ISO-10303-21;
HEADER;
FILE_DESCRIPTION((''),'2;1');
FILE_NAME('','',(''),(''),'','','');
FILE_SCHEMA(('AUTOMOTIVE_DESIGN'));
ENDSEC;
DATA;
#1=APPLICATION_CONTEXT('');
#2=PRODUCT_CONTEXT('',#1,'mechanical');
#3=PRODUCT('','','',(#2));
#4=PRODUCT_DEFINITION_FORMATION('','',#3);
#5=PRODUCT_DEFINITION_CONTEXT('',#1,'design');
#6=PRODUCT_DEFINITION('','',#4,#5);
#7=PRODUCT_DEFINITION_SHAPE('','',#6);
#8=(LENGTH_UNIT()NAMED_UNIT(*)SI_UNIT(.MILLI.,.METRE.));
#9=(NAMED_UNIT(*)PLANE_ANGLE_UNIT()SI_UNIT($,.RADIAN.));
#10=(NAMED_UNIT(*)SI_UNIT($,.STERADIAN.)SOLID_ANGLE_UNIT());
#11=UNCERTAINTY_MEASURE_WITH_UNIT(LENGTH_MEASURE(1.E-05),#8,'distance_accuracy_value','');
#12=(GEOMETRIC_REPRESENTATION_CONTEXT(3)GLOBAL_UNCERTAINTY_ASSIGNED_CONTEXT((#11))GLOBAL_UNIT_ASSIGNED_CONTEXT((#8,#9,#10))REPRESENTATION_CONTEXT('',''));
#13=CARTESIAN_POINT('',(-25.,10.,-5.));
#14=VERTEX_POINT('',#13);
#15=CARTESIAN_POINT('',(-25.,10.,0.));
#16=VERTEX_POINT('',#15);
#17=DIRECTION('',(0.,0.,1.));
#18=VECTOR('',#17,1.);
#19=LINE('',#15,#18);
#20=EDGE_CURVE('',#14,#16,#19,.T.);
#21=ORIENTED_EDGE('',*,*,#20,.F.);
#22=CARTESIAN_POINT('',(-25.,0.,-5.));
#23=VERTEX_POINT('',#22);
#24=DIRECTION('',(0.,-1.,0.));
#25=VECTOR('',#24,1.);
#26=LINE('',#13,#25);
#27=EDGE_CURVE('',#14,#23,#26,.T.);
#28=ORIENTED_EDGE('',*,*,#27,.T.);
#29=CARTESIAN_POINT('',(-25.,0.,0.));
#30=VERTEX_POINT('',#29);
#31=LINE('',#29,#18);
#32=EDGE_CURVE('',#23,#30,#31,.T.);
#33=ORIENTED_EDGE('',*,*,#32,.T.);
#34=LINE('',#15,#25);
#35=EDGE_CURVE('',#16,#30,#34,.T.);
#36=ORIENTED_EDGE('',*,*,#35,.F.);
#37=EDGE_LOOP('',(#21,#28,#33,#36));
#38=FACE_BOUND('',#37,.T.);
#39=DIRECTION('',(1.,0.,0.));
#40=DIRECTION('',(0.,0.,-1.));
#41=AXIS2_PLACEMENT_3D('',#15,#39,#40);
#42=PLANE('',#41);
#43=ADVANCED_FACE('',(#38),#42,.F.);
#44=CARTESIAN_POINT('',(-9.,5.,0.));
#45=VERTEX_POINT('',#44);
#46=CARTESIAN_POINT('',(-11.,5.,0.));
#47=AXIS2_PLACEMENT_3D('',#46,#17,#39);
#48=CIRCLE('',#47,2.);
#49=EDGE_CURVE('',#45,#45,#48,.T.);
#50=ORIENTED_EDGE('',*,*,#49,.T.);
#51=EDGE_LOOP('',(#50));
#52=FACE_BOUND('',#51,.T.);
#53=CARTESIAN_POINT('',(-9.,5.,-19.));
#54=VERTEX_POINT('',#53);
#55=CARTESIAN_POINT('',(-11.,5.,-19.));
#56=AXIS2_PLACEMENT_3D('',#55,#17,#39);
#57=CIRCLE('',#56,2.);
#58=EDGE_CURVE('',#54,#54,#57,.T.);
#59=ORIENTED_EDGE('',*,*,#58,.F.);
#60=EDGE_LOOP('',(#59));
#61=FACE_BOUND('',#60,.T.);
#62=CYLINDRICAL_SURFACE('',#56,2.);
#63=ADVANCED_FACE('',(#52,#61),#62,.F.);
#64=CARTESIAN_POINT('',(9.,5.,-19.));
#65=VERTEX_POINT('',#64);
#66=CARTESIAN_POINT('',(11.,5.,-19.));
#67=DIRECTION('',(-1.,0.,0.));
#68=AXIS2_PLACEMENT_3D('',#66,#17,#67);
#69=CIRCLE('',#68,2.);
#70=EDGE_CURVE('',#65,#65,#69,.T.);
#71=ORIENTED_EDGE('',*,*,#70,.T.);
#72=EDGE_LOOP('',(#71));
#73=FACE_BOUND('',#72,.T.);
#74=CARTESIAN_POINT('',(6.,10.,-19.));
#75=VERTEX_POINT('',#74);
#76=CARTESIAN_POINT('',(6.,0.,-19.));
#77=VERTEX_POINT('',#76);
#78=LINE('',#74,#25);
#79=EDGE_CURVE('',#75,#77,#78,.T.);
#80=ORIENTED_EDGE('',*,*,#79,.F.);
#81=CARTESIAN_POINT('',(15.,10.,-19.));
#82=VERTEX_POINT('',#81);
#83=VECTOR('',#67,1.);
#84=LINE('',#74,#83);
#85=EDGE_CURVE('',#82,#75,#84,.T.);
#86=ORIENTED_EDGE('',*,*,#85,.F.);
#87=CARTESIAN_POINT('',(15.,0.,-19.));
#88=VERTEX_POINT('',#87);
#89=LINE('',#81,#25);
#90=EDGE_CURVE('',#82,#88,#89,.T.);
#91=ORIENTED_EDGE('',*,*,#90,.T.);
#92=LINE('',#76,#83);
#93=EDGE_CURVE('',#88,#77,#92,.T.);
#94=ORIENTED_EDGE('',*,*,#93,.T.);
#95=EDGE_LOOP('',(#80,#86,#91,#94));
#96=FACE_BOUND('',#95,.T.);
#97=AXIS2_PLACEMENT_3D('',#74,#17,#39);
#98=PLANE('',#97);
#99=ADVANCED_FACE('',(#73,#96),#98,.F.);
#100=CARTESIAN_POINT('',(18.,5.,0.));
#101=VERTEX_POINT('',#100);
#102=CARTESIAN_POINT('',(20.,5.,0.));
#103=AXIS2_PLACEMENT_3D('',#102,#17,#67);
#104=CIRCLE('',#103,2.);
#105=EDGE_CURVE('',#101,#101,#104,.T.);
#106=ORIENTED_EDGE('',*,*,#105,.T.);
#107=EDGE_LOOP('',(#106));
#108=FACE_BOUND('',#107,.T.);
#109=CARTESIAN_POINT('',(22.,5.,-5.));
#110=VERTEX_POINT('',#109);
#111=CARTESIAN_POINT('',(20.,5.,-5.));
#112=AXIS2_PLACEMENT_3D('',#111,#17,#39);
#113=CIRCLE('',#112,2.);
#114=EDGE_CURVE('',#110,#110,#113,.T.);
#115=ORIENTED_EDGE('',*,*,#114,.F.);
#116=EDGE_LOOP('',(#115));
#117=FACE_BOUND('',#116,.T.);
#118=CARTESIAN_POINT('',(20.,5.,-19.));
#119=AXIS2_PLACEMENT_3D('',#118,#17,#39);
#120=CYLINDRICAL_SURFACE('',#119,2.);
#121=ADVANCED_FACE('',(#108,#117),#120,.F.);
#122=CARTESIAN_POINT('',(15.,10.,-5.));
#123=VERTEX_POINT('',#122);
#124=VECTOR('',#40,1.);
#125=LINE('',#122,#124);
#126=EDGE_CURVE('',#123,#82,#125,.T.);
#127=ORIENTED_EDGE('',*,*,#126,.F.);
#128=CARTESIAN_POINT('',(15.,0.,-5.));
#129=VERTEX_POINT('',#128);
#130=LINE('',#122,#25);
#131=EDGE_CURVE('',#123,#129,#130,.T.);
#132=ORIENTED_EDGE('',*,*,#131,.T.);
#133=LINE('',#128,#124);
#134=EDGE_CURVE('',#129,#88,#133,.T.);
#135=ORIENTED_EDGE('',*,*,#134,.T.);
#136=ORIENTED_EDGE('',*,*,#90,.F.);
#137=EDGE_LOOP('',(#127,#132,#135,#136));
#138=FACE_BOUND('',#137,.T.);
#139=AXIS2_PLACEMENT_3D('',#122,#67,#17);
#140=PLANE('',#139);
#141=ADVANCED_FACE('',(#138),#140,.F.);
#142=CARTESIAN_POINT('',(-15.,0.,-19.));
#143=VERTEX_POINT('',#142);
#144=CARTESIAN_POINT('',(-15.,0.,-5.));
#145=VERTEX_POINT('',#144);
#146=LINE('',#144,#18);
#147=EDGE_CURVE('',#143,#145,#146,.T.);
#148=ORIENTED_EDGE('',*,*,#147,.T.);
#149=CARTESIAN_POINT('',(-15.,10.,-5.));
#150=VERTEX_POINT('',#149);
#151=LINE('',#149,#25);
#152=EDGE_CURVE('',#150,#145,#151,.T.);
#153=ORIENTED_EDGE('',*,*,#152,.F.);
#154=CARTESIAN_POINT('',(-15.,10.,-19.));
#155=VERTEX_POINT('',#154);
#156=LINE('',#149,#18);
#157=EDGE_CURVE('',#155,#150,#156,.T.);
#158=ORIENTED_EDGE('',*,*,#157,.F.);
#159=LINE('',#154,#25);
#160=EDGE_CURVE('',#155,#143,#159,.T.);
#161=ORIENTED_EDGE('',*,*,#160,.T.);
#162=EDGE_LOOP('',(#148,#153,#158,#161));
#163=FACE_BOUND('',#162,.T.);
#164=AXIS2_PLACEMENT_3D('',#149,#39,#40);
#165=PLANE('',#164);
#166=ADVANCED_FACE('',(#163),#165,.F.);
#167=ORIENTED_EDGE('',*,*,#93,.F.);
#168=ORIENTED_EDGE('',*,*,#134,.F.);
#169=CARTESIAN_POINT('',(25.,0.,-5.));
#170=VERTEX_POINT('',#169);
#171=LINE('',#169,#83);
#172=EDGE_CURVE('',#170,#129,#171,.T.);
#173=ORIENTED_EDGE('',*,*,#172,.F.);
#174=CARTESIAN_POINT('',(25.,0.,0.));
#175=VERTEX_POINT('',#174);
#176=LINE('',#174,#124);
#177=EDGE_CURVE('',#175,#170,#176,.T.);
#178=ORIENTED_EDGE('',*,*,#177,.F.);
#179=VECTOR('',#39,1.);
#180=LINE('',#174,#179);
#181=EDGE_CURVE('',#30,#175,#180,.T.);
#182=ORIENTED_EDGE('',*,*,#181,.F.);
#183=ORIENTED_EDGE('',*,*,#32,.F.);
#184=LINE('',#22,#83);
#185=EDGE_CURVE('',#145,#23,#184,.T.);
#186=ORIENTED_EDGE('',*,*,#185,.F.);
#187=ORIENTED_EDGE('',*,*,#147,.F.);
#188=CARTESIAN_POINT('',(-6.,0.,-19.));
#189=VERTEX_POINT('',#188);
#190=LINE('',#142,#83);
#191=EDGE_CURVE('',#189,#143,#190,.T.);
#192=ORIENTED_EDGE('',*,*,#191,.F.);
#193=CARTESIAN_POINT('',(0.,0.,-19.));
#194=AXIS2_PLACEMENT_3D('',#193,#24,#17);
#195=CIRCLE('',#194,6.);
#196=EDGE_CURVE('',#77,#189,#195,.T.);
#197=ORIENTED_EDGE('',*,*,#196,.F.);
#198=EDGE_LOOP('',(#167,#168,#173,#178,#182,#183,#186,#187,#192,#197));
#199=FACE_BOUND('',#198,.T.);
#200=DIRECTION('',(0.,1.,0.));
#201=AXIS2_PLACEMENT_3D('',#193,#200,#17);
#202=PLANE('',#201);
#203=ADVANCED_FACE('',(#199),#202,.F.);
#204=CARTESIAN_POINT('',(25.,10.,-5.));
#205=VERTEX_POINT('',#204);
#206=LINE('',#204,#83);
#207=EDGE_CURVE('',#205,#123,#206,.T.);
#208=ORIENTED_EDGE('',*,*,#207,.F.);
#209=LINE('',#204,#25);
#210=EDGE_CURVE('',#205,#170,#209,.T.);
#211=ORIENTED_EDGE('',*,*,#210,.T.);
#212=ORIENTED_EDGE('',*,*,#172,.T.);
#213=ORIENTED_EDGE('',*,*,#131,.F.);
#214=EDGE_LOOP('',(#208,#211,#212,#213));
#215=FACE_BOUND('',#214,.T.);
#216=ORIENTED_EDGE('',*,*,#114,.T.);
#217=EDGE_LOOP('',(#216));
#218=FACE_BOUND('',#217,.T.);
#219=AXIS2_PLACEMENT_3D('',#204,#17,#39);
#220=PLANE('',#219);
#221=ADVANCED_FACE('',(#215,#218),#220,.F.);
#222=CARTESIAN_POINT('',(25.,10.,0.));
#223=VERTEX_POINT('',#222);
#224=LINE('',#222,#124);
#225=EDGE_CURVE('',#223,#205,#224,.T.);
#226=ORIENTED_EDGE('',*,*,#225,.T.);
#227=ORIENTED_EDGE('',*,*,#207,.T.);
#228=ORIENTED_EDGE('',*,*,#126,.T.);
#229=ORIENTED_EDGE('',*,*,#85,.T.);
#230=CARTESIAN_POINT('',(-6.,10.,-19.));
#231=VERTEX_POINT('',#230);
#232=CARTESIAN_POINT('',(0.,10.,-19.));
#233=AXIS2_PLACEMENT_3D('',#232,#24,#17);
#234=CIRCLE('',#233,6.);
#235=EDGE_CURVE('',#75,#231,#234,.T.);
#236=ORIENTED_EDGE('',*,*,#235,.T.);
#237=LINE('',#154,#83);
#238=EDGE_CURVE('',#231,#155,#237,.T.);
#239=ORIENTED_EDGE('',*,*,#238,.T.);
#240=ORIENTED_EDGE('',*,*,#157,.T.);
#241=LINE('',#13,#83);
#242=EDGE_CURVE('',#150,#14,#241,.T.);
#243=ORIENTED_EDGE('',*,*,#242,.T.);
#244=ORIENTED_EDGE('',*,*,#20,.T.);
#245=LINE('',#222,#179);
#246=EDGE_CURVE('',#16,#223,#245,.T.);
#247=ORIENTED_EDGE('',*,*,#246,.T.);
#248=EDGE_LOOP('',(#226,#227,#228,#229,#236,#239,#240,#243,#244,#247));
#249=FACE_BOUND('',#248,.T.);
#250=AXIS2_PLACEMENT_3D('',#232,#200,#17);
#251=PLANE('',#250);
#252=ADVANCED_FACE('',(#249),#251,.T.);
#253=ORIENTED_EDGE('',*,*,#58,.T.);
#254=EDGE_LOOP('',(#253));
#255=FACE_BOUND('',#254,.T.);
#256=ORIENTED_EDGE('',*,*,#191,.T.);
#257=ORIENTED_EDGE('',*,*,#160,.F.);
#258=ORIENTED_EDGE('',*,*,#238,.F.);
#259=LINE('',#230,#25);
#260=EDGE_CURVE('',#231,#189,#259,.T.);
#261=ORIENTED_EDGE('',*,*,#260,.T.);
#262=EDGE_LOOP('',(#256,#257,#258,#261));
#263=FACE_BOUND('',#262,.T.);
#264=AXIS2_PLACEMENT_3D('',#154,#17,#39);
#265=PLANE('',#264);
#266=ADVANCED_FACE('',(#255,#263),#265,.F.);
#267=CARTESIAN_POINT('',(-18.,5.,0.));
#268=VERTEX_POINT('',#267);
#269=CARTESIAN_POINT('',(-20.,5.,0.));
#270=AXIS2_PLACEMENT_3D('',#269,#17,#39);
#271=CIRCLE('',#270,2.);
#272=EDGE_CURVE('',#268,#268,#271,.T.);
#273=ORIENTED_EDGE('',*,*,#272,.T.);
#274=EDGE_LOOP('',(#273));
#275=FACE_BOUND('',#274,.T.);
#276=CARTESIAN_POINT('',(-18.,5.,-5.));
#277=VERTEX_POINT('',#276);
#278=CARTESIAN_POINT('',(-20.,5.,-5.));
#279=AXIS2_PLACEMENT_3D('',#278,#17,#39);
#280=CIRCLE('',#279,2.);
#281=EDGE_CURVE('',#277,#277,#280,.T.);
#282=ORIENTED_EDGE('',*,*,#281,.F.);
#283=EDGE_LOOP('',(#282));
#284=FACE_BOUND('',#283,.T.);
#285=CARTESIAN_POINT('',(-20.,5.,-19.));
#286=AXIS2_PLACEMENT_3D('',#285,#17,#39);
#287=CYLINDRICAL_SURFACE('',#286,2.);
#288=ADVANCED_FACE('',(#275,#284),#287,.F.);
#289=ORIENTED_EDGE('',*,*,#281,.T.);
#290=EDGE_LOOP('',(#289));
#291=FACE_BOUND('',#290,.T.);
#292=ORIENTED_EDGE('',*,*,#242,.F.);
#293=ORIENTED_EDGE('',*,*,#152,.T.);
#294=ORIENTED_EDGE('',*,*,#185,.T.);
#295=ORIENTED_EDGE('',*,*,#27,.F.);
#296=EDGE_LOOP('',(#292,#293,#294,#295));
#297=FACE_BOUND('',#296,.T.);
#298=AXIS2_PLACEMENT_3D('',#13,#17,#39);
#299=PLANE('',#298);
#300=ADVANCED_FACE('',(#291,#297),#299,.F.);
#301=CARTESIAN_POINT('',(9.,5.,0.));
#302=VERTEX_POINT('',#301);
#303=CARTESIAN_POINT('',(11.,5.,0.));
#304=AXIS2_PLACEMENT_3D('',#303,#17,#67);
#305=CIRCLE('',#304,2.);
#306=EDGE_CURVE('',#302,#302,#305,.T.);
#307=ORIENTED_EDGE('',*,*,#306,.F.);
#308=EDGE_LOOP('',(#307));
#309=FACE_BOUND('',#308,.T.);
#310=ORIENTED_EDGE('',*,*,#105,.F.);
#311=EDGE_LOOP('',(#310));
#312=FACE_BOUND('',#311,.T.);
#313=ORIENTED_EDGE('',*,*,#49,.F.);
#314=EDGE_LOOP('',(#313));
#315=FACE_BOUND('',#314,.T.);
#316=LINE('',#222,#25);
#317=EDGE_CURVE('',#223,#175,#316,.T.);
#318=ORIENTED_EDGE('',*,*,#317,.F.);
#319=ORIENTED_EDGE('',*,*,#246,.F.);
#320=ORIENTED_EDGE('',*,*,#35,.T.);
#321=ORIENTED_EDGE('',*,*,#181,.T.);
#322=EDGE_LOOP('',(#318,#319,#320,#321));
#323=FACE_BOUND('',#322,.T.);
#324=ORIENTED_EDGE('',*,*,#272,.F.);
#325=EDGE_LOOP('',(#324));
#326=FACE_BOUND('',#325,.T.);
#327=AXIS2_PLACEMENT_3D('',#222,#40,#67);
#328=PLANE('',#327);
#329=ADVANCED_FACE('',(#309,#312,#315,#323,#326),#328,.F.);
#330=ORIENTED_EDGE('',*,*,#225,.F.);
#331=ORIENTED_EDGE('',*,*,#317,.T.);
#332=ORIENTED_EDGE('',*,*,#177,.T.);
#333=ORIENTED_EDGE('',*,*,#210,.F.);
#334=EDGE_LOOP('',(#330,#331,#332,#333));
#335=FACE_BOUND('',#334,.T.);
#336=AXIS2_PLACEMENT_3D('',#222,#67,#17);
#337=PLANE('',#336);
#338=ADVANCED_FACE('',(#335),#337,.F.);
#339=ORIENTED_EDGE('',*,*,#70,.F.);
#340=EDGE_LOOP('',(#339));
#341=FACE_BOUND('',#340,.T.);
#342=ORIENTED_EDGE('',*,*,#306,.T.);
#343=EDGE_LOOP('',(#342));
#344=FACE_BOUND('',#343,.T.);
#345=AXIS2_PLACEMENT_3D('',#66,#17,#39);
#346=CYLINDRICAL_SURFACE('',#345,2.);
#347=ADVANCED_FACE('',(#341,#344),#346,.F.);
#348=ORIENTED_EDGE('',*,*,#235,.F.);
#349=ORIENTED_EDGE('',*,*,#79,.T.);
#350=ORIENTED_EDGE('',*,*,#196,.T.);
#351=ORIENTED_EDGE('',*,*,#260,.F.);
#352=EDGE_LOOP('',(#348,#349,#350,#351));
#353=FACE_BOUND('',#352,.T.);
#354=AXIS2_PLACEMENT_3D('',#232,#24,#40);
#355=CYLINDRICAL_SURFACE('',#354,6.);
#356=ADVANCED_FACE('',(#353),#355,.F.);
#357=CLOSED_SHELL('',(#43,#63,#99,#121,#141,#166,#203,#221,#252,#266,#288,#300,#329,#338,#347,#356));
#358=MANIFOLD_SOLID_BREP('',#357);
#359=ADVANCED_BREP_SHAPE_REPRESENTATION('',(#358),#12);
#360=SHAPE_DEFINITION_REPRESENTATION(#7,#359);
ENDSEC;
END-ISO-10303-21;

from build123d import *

# Parameters (mm, degrees)
BOSS_EXTRUDE1_DEPTH = 10
SKETCH2_R           = 2
CUT_EXTRUDE1_DEPTH  = 20


with BuildPart() as part:
    # Sketch1 → Boss-Extrude1 (new body)
    with BuildSketch(Plane(origin=(0, 0, 0), x_dir=(1, 0, 0), z_dir=(0, 1, 0))):
        with BuildLine():
            Line((25, 0), (-25, 0))
            Line((-25, 0), (-25, 5))
            Line((-25, 5), (-15, 5))
            Line((-15, 5), (-15, 19))
            Line((-15, 19), (-6, 19))
            ThreePointArc((-6, 19), (0, 13), (6, 19))
            Line((6, 19), (15, 19))
            Line((15, 19), (15, 5))
            Line((15, 5), (25, 5))
            Line((25, 5), (25, 0))
        make_face()
    extrude(amount=BOSS_EXTRUDE1_DEPTH)

    # Sketch2 → Cut-Extrude1 (cut, through all)
    with BuildSketch(Plane.XY):
        with Locations((-20, 5)):
            Circle(SKETCH2_R)
        with Locations((-11, 5)):
            Circle(SKETCH2_R)
        with Locations((20, 5)):
            Circle(SKETCH2_R)
        with Locations((11, 5)):
            Circle(SKETCH2_R)
    extrude(amount=-CUT_EXTRUDE1_DEPTH, mode=Mode.SUBTRACT)


solid = part.part
